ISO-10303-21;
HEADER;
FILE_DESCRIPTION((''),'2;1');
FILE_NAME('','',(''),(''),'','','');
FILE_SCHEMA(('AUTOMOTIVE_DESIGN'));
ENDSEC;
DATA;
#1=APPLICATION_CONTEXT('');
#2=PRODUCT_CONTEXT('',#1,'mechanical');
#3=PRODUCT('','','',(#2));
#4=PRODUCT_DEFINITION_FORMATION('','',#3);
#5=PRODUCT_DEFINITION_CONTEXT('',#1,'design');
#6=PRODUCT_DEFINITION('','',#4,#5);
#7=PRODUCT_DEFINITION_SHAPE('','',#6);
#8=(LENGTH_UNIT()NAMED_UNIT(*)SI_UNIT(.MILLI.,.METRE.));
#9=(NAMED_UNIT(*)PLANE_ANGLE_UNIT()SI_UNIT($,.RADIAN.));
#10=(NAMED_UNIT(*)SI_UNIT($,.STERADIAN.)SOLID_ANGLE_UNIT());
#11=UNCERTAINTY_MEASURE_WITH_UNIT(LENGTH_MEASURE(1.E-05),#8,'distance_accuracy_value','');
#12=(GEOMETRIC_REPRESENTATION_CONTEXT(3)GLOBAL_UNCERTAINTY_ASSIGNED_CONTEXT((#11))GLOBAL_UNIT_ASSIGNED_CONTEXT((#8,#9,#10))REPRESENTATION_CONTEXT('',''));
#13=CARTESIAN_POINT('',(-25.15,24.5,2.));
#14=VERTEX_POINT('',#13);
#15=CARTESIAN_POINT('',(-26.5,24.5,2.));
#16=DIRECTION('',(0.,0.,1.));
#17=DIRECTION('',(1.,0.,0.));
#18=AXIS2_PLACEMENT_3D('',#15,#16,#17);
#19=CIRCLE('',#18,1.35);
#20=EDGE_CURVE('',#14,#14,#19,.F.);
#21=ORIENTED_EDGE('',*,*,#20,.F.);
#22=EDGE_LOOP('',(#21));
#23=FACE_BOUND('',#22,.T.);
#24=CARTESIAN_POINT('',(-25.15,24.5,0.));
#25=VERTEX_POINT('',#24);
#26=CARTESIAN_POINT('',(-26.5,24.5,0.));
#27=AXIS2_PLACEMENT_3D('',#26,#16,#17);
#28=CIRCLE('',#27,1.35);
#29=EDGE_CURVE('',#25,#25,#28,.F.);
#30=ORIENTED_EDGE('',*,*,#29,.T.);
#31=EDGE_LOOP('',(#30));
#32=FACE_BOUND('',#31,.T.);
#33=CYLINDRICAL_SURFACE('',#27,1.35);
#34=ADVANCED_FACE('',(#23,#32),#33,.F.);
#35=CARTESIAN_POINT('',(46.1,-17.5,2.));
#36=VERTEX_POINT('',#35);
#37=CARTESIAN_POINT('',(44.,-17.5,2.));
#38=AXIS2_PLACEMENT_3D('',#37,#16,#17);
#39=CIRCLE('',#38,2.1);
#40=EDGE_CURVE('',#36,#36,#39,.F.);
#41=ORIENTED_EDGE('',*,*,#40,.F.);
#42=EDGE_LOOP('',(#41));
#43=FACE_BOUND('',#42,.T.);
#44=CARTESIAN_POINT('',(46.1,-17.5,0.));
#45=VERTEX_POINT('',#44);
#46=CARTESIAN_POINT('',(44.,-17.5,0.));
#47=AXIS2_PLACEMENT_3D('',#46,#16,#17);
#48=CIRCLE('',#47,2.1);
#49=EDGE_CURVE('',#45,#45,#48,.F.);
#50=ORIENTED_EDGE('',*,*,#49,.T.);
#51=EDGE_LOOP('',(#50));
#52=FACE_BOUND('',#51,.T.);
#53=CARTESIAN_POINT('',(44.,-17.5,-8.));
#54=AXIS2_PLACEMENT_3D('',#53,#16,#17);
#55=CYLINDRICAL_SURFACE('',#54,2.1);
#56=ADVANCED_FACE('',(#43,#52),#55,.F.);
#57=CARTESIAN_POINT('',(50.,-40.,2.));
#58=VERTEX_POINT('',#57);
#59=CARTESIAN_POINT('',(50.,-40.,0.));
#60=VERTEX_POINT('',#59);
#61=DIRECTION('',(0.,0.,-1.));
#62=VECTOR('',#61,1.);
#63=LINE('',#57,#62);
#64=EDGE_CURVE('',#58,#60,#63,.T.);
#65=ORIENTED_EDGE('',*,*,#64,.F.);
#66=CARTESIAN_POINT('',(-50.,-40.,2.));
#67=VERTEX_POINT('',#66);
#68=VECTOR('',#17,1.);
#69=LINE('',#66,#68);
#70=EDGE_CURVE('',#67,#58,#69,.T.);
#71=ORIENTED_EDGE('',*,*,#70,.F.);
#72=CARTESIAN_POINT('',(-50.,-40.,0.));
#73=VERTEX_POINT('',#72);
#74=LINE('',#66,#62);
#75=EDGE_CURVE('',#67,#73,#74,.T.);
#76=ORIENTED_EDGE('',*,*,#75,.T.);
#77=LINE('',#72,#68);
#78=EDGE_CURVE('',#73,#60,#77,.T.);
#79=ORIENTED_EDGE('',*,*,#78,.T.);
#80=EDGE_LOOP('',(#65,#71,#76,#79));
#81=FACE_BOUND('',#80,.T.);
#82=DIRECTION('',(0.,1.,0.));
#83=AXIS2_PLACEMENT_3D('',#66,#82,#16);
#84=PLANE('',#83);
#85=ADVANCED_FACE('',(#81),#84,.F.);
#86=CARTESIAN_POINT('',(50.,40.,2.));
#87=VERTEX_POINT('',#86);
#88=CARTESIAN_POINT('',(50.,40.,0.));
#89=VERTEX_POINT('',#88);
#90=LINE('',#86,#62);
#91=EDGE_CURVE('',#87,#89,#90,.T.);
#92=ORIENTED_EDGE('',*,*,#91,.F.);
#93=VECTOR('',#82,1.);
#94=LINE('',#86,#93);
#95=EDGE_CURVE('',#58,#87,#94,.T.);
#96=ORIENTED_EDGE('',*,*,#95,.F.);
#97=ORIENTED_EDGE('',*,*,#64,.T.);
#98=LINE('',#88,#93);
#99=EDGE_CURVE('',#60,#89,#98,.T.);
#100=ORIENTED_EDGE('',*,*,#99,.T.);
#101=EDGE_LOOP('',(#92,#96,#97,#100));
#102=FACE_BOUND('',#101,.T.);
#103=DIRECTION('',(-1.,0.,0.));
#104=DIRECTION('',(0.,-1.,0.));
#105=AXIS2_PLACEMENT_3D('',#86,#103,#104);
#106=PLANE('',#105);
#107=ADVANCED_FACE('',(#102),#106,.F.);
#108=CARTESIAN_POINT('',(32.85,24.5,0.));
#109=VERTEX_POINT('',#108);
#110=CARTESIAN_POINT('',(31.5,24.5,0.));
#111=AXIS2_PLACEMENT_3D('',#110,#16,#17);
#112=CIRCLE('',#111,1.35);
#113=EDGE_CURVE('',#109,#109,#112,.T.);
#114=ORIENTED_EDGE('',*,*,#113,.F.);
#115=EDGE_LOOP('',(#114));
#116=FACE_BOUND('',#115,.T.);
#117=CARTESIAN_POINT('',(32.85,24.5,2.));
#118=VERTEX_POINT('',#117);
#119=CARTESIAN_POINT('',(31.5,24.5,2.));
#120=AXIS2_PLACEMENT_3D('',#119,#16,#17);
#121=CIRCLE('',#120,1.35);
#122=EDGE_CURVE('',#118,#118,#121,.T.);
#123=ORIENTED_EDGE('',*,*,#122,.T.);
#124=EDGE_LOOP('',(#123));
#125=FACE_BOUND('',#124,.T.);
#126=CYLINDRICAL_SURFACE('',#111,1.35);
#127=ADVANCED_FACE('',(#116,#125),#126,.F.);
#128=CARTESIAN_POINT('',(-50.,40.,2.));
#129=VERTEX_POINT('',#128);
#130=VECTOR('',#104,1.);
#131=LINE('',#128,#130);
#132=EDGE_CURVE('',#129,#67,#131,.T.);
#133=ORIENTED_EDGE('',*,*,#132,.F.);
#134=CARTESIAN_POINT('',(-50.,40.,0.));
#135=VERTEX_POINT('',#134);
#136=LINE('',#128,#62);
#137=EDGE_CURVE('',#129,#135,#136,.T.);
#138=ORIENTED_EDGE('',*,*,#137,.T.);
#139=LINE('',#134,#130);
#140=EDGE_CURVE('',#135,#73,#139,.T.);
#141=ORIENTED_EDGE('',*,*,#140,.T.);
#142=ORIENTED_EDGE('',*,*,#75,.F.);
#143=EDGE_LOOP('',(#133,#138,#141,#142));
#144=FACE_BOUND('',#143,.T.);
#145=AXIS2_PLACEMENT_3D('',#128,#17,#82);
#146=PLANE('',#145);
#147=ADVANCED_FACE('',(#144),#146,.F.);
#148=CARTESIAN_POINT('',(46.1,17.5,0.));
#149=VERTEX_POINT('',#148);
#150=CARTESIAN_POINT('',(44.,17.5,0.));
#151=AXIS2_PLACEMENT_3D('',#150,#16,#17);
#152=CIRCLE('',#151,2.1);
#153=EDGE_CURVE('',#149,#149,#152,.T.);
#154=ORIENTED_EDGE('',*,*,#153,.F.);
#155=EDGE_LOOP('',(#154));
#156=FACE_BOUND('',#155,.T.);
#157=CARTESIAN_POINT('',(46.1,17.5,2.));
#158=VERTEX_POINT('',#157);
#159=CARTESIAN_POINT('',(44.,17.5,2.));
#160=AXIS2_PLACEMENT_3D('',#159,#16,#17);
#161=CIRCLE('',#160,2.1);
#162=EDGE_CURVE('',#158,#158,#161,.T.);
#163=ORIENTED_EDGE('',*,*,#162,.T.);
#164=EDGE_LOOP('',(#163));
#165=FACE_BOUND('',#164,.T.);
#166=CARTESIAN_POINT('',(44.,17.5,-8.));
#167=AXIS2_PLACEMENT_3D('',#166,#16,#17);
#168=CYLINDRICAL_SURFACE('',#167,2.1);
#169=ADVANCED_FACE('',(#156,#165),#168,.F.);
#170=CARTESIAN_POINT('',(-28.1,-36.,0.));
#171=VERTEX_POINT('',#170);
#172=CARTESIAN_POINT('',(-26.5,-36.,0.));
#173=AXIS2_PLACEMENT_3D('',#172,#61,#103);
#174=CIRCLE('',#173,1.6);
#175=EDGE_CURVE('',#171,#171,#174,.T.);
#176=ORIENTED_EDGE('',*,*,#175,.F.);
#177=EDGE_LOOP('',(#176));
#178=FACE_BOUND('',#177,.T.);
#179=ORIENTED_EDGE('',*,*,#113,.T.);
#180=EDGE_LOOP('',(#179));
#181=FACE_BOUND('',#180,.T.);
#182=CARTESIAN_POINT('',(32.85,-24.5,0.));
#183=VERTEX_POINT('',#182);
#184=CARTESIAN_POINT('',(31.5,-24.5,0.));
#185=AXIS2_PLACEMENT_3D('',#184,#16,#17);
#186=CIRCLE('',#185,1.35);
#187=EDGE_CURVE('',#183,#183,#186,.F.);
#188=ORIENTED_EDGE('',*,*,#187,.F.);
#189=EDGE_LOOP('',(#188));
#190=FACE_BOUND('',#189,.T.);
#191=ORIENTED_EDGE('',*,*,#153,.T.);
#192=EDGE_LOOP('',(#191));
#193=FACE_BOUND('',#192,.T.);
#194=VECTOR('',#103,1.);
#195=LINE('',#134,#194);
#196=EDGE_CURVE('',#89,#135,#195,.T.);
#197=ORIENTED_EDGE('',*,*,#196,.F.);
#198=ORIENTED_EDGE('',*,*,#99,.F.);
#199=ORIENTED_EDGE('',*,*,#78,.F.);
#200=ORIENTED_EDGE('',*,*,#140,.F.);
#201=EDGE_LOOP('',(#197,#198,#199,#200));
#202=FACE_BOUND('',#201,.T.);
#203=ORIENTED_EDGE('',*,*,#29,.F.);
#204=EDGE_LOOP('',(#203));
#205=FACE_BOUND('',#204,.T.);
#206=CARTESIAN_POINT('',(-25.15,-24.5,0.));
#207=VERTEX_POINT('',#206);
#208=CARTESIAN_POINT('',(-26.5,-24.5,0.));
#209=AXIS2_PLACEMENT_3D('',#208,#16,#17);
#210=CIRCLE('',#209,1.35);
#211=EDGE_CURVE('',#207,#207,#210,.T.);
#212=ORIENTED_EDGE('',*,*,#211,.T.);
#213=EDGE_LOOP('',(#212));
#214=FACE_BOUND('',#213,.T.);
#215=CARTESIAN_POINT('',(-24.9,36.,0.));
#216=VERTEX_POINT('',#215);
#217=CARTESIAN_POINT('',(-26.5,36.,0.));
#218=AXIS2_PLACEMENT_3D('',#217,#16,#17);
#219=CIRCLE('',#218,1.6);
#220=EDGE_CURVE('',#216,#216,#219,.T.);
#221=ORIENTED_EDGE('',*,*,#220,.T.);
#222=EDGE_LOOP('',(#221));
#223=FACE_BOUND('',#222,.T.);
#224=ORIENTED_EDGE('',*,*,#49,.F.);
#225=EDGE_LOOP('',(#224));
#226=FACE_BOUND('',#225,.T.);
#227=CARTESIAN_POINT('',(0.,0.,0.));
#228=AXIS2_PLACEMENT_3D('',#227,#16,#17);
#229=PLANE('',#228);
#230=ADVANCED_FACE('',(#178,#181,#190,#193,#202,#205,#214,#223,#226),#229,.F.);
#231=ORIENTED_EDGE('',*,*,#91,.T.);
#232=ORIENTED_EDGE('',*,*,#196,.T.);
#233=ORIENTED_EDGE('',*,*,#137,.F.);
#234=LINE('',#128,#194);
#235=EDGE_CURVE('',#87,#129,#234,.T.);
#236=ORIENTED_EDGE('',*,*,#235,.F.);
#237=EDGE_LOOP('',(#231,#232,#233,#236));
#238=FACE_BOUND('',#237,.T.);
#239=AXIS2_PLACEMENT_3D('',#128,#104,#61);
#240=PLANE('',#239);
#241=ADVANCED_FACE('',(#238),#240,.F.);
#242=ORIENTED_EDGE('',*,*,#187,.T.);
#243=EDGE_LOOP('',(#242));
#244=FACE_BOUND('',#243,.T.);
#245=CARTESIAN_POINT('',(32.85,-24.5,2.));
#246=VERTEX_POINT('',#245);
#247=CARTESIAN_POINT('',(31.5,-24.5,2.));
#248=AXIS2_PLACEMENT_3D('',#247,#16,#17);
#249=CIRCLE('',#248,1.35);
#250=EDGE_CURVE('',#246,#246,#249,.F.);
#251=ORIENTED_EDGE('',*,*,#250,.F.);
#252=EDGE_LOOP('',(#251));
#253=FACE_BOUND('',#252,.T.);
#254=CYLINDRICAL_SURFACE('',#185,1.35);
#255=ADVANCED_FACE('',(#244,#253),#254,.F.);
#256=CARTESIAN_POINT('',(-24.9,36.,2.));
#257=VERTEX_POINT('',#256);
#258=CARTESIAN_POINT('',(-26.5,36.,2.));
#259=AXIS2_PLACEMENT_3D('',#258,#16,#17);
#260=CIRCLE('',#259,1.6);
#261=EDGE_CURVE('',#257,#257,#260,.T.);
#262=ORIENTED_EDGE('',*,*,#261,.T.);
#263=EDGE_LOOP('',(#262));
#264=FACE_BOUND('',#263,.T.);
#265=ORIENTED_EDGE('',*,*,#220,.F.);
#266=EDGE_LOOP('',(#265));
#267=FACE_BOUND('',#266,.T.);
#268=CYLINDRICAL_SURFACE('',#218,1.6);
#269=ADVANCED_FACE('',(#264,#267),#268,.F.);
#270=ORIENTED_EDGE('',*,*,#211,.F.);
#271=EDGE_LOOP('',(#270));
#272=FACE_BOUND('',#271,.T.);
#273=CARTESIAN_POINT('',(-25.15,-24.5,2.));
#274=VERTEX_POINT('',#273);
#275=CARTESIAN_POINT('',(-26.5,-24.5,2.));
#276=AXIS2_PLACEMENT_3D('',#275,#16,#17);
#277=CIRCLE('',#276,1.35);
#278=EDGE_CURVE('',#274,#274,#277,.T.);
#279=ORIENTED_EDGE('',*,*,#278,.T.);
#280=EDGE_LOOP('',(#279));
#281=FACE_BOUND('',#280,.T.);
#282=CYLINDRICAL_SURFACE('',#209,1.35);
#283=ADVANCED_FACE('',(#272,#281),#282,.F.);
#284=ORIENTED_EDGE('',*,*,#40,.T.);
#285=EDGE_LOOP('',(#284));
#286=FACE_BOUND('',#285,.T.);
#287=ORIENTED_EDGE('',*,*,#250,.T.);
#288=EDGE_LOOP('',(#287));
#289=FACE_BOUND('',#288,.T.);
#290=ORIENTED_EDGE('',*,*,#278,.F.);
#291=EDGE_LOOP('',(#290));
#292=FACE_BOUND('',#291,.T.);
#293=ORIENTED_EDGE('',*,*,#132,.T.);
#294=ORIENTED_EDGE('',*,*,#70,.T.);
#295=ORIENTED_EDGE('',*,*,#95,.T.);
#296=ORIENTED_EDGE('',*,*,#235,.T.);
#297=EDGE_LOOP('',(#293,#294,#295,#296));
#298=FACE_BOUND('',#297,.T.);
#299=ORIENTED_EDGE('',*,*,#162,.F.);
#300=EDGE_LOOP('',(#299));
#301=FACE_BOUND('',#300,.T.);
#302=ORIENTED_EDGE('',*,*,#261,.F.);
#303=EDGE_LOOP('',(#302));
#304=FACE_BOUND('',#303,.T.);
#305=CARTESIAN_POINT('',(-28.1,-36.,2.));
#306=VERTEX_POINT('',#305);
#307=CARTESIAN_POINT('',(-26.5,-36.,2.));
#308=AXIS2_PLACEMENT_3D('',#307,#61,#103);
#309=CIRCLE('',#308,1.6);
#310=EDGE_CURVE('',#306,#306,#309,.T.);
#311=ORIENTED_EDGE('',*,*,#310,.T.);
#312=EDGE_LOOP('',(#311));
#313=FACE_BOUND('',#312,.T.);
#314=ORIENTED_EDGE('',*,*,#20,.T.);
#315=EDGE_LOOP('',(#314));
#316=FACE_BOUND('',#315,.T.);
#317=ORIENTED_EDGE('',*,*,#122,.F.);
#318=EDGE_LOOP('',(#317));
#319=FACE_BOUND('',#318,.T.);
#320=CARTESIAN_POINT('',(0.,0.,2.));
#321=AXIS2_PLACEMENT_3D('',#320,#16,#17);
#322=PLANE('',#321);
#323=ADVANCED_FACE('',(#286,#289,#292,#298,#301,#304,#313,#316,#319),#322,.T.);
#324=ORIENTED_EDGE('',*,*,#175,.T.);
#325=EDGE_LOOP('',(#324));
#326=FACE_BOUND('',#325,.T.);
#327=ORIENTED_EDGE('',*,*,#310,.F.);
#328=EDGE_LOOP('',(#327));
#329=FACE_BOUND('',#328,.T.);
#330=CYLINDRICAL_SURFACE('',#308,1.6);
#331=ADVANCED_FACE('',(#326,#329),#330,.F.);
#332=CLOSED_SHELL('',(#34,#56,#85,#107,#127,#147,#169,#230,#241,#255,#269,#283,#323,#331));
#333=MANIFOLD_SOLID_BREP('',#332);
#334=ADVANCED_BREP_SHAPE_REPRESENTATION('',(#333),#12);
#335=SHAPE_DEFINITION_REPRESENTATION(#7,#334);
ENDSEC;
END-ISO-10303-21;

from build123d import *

# Parameters (mm, degrees)
SKETCH_1_W          = 100
SKETCH_1_H          = 80
EXTRUDE_1_DEPTH     = 2
SKETCH_3_R          = 1.35
CUT_EXTRUDE_1_DEPTH = 3
SKETCH_4_R          = 1.6
CUT_EXTRUDE_2_DEPTH = 3
SKETCH_5_R          = 1.6
CUT_EXTRUDE_3_DEPTH = 3
SKETCH_7_R          = 2.1
CUT_EXTRUDE_5_DEPTH = 10


with BuildPart() as part:
    # 草图1 → 凸台-拉伸1 (new body)
    with BuildSketch(Plane.XY):
        Rectangle(SKETCH_1_W, SKETCH_1_H)
    extrude(amount=EXTRUDE_1_DEPTH)

    # 草图3 → 切除-拉伸1 (cut, through all)
    with BuildSketch(Plane.XY.offset(2)):
        with Locations((-26.5, -24.5)):
            Circle(SKETCH_3_R)
        with Locations((-26.5, 24.5)):
            Circle(SKETCH_3_R)
        with Locations((31.5, 24.5)):
            Circle(SKETCH_3_R)
        with Locations((31.5, -24.5)):
            Circle(SKETCH_3_R)
    extrude(amount=-CUT_EXTRUDE_1_DEPTH, mode=Mode.SUBTRACT)

    # 草图4 → 切除-拉伸2 (cut, through all)
    with BuildSketch(Plane(origin=(0, 0, 0), x_dir=(-1, 0, 0), z_dir=(0, 0, -1))):
        with Locations((26.5, -36)):
            Circle(SKETCH_4_R)
    extrude(amount=-CUT_EXTRUDE_2_DEPTH, mode=Mode.SUBTRACT)

    # 草图5 → 切除-拉伸3 (cut, through all)
    with BuildSketch(Plane.XY.offset(2)):
        with Locations((-26.5, 36)):
            Circle(SKETCH_5_R)
    extrude(amount=-CUT_EXTRUDE_3_DEPTH, mode=Mode.SUBTRACT)

    # 草图7 → 切除-拉伸5 (cut)
    with BuildSketch(Plane.XY.offset(2)):
        with Locations((44, 17.5)):
            Circle(SKETCH_7_R)
        with Locations((44, -17.5)):
            Circle(SKETCH_7_R)
    extrude(amount=-CUT_EXTRUDE_5_DEPTH, mode=Mode.SUBTRACT)


solid = part.part
